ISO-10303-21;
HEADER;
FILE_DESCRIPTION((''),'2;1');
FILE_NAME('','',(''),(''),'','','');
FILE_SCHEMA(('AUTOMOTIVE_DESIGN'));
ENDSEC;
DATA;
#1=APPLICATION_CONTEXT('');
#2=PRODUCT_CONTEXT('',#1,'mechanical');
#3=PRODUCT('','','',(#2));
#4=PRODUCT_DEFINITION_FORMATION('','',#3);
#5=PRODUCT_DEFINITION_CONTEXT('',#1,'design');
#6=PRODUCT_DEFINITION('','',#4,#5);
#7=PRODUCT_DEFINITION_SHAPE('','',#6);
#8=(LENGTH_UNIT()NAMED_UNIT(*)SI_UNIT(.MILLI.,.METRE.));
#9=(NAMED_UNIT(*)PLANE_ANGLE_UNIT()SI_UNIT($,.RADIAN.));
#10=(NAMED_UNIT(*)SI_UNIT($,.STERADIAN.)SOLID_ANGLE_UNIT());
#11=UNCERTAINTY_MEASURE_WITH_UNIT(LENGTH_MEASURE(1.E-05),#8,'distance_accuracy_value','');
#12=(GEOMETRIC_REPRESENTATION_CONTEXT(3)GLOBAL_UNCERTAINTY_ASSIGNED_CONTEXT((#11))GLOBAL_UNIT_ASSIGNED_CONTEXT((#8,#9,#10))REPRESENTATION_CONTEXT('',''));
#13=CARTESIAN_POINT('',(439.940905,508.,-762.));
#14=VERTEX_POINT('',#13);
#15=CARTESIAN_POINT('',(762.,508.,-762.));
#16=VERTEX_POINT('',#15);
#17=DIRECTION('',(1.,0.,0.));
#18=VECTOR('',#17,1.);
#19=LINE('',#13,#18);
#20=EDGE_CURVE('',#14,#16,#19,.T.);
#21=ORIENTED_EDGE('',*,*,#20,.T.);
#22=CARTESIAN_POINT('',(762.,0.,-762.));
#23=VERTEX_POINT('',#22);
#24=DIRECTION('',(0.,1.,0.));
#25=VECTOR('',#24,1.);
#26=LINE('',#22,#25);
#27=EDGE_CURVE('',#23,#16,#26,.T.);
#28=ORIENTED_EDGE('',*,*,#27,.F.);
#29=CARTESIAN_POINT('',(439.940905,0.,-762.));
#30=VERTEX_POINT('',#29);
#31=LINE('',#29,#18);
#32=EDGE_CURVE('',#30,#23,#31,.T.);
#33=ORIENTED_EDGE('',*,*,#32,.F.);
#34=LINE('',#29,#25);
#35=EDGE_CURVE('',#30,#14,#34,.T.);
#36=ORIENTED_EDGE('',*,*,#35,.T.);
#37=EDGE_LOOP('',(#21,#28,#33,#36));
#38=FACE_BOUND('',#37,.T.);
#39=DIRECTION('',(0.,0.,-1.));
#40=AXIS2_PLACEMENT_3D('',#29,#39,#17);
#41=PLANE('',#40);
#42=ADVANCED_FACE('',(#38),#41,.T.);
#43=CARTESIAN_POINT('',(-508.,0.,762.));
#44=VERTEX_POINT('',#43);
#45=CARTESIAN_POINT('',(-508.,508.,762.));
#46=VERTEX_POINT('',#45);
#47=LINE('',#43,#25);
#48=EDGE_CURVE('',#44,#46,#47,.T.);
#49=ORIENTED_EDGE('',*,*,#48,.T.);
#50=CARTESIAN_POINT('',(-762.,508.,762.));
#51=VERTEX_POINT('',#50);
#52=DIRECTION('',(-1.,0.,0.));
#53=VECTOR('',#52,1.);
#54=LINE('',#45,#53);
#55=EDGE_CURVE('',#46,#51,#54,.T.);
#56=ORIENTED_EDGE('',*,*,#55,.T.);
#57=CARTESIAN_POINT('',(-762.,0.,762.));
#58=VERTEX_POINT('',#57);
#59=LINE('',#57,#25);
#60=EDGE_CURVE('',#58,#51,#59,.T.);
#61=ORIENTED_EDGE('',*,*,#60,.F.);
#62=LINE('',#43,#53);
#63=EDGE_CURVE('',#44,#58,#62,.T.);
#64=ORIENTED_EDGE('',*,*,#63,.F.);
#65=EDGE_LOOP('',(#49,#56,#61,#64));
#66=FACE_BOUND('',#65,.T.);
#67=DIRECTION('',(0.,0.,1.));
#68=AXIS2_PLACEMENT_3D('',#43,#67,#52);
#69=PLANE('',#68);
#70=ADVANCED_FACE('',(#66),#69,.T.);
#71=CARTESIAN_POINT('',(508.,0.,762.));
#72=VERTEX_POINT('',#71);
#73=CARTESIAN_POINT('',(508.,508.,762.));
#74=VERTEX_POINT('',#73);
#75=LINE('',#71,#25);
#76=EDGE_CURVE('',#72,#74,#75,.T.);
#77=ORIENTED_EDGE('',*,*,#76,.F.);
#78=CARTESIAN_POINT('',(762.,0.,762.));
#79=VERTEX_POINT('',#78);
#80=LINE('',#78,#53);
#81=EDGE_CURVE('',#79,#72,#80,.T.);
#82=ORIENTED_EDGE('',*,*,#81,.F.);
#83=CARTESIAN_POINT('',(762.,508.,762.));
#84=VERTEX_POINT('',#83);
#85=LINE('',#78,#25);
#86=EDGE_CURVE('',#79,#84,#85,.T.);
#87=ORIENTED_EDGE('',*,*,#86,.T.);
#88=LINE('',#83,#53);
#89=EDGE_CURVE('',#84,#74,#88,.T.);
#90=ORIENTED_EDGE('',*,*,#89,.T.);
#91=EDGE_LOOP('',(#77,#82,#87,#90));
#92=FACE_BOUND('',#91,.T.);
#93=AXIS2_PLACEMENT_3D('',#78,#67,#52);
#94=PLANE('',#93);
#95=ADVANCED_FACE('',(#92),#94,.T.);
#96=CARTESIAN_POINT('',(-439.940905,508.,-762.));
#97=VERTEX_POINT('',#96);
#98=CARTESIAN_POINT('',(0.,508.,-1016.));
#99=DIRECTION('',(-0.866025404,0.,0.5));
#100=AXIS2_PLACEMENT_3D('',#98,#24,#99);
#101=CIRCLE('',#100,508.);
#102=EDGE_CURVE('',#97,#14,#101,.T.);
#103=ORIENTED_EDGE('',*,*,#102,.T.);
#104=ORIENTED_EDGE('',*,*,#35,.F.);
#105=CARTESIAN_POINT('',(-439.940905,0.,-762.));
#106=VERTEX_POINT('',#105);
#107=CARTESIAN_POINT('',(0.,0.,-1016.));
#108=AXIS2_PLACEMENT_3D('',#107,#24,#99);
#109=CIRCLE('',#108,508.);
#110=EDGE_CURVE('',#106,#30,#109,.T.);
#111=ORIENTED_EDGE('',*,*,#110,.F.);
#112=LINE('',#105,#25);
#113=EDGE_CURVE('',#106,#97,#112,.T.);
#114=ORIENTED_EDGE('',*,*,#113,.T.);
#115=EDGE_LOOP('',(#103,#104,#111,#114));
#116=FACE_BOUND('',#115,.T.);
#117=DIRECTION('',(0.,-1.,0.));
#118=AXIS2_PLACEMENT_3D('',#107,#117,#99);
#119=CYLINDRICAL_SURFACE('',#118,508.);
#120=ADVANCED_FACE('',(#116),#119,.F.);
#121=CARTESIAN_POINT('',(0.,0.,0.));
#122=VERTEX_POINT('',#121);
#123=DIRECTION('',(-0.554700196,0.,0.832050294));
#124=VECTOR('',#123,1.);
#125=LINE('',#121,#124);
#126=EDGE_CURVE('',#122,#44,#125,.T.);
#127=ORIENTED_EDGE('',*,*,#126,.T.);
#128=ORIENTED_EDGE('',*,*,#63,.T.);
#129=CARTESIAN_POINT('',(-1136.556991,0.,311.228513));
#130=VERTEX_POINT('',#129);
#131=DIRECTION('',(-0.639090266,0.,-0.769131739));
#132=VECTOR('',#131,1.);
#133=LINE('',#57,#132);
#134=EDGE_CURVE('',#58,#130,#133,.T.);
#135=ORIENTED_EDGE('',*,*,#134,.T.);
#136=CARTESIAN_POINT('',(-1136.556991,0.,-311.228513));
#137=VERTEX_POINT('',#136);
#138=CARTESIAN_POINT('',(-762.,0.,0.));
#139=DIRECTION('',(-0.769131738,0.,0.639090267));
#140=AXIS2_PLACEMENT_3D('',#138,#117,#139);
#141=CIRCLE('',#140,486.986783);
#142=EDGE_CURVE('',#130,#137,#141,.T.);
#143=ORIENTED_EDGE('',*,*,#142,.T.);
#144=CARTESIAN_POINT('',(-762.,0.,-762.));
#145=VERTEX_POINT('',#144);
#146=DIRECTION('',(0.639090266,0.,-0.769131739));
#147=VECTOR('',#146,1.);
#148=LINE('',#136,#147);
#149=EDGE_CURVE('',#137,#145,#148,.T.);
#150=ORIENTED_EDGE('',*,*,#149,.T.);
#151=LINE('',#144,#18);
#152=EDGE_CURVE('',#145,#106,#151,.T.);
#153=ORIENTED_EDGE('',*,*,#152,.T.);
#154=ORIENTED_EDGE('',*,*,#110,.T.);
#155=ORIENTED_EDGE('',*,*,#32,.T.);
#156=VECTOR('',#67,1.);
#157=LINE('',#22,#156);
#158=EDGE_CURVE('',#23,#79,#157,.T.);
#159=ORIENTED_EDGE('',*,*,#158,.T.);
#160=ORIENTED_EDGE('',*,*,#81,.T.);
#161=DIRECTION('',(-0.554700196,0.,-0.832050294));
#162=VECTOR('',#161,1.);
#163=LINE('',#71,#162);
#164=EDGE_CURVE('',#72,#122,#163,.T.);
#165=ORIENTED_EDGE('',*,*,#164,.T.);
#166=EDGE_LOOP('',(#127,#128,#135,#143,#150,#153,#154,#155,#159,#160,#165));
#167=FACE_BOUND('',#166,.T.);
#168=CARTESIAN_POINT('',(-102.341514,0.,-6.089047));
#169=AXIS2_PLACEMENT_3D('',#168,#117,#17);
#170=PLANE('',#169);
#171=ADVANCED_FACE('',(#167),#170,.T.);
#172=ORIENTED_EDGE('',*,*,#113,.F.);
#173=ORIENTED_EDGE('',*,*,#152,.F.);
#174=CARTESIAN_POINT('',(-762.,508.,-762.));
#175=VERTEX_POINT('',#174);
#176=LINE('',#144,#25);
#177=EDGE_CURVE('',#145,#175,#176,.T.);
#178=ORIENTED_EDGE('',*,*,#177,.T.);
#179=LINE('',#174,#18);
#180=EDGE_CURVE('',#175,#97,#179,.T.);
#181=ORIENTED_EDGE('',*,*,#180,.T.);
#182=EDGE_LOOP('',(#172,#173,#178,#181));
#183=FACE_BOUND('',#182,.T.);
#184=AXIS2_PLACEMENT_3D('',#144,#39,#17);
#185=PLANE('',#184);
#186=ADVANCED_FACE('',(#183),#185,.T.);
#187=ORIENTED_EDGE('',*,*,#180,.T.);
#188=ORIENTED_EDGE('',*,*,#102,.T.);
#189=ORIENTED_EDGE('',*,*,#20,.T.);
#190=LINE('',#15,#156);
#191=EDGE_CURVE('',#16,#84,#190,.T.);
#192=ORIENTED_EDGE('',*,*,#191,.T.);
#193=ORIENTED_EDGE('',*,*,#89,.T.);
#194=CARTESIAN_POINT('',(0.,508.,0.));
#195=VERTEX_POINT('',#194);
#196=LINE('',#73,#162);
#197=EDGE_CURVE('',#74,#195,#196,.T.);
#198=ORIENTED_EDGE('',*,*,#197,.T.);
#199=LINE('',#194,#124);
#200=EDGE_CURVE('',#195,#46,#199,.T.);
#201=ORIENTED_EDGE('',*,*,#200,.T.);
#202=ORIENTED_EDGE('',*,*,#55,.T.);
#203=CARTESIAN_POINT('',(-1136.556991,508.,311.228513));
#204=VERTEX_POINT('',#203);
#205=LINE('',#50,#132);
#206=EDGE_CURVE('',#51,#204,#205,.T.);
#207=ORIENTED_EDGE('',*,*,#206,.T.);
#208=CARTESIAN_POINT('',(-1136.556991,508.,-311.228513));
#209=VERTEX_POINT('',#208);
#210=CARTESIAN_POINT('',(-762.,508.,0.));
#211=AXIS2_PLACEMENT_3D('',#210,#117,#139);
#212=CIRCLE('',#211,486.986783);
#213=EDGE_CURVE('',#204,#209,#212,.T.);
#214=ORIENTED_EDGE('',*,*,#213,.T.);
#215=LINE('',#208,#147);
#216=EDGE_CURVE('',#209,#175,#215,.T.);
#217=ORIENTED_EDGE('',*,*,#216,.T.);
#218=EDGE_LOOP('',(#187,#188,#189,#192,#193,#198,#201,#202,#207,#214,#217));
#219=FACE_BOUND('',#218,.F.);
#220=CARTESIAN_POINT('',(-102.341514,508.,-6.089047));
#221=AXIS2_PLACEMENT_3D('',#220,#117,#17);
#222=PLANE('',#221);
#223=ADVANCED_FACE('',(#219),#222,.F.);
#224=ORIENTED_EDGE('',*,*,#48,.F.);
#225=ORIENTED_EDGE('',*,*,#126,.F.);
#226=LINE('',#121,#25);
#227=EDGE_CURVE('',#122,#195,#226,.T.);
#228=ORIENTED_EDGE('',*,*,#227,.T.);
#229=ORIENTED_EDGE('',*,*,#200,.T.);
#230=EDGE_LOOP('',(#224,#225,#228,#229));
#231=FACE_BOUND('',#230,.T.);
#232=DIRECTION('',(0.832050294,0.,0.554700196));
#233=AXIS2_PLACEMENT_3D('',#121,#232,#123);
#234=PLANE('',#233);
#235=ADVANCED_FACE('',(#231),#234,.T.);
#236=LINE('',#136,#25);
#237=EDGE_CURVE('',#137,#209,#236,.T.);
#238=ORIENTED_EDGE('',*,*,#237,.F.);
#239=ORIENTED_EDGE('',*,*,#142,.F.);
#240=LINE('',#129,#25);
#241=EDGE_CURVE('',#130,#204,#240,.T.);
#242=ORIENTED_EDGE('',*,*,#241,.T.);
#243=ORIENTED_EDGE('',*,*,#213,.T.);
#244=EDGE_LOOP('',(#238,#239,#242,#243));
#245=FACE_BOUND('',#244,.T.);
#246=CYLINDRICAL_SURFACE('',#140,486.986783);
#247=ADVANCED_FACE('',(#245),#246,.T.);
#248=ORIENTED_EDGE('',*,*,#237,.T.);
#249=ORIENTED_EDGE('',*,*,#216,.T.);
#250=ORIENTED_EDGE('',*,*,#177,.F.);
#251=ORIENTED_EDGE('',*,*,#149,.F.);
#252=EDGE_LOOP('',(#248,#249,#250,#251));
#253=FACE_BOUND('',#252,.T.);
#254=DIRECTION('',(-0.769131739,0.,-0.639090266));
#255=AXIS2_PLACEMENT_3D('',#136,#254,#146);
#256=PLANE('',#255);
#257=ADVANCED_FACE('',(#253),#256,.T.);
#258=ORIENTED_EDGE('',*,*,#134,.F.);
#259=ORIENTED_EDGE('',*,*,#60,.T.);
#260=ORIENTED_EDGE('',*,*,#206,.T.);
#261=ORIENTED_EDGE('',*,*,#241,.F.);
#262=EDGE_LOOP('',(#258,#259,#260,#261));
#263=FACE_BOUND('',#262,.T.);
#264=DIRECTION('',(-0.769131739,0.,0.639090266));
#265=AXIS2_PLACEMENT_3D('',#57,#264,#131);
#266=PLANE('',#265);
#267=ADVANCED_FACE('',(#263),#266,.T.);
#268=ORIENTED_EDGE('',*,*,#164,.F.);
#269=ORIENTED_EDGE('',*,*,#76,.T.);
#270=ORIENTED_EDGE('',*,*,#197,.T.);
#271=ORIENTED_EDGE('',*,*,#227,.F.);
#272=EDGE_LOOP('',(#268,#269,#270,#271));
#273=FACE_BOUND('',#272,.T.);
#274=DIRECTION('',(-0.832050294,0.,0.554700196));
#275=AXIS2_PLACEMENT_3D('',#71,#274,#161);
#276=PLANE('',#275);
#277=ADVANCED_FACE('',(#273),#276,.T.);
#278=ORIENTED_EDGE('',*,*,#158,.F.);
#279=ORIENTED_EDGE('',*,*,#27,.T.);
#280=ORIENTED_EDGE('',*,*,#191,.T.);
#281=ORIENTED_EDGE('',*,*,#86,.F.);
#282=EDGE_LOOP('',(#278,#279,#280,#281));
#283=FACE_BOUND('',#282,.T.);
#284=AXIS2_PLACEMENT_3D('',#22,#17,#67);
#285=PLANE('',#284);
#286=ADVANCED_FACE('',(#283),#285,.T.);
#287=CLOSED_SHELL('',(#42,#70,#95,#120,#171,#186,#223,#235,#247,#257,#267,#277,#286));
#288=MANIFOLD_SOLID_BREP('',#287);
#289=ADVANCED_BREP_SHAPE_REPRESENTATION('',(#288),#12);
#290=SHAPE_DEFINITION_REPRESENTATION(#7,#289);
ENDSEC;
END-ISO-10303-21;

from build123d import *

# Parameters (mm, degrees)
F1_DEPTH = 508


with BuildPart() as f1:
    # F0 (on Front) → F1 (new body)
    with BuildSketch(Plane.XZ):
        with BuildLine():
            Line((508, 762), (0, 0))
            Line((0, 0), (-508, 762))
            Line((-508, 762), (-762, 762))
            Line((-762, 762), (-1136.556991, 311.228513))
            ThreePointArc((-1136.556991, 311.228513), (-1248.986783, 0), (-1136.556991, -311.228513))
            Line((-1136.556991, -311.228513), (-762, -762))
            Line((-762, -762), (-439.940905, -762))
            ThreePointArc((-439.940905, -762), (0, -508), (439.940905, -762))
            Line((439.940905, -762), (762, -762))
            Line((762, -762), (762, 762))
            Line((762, 762), (508, 762))
        make_face()
    extrude(amount=-F1_DEPTH)


solid = f1.part
